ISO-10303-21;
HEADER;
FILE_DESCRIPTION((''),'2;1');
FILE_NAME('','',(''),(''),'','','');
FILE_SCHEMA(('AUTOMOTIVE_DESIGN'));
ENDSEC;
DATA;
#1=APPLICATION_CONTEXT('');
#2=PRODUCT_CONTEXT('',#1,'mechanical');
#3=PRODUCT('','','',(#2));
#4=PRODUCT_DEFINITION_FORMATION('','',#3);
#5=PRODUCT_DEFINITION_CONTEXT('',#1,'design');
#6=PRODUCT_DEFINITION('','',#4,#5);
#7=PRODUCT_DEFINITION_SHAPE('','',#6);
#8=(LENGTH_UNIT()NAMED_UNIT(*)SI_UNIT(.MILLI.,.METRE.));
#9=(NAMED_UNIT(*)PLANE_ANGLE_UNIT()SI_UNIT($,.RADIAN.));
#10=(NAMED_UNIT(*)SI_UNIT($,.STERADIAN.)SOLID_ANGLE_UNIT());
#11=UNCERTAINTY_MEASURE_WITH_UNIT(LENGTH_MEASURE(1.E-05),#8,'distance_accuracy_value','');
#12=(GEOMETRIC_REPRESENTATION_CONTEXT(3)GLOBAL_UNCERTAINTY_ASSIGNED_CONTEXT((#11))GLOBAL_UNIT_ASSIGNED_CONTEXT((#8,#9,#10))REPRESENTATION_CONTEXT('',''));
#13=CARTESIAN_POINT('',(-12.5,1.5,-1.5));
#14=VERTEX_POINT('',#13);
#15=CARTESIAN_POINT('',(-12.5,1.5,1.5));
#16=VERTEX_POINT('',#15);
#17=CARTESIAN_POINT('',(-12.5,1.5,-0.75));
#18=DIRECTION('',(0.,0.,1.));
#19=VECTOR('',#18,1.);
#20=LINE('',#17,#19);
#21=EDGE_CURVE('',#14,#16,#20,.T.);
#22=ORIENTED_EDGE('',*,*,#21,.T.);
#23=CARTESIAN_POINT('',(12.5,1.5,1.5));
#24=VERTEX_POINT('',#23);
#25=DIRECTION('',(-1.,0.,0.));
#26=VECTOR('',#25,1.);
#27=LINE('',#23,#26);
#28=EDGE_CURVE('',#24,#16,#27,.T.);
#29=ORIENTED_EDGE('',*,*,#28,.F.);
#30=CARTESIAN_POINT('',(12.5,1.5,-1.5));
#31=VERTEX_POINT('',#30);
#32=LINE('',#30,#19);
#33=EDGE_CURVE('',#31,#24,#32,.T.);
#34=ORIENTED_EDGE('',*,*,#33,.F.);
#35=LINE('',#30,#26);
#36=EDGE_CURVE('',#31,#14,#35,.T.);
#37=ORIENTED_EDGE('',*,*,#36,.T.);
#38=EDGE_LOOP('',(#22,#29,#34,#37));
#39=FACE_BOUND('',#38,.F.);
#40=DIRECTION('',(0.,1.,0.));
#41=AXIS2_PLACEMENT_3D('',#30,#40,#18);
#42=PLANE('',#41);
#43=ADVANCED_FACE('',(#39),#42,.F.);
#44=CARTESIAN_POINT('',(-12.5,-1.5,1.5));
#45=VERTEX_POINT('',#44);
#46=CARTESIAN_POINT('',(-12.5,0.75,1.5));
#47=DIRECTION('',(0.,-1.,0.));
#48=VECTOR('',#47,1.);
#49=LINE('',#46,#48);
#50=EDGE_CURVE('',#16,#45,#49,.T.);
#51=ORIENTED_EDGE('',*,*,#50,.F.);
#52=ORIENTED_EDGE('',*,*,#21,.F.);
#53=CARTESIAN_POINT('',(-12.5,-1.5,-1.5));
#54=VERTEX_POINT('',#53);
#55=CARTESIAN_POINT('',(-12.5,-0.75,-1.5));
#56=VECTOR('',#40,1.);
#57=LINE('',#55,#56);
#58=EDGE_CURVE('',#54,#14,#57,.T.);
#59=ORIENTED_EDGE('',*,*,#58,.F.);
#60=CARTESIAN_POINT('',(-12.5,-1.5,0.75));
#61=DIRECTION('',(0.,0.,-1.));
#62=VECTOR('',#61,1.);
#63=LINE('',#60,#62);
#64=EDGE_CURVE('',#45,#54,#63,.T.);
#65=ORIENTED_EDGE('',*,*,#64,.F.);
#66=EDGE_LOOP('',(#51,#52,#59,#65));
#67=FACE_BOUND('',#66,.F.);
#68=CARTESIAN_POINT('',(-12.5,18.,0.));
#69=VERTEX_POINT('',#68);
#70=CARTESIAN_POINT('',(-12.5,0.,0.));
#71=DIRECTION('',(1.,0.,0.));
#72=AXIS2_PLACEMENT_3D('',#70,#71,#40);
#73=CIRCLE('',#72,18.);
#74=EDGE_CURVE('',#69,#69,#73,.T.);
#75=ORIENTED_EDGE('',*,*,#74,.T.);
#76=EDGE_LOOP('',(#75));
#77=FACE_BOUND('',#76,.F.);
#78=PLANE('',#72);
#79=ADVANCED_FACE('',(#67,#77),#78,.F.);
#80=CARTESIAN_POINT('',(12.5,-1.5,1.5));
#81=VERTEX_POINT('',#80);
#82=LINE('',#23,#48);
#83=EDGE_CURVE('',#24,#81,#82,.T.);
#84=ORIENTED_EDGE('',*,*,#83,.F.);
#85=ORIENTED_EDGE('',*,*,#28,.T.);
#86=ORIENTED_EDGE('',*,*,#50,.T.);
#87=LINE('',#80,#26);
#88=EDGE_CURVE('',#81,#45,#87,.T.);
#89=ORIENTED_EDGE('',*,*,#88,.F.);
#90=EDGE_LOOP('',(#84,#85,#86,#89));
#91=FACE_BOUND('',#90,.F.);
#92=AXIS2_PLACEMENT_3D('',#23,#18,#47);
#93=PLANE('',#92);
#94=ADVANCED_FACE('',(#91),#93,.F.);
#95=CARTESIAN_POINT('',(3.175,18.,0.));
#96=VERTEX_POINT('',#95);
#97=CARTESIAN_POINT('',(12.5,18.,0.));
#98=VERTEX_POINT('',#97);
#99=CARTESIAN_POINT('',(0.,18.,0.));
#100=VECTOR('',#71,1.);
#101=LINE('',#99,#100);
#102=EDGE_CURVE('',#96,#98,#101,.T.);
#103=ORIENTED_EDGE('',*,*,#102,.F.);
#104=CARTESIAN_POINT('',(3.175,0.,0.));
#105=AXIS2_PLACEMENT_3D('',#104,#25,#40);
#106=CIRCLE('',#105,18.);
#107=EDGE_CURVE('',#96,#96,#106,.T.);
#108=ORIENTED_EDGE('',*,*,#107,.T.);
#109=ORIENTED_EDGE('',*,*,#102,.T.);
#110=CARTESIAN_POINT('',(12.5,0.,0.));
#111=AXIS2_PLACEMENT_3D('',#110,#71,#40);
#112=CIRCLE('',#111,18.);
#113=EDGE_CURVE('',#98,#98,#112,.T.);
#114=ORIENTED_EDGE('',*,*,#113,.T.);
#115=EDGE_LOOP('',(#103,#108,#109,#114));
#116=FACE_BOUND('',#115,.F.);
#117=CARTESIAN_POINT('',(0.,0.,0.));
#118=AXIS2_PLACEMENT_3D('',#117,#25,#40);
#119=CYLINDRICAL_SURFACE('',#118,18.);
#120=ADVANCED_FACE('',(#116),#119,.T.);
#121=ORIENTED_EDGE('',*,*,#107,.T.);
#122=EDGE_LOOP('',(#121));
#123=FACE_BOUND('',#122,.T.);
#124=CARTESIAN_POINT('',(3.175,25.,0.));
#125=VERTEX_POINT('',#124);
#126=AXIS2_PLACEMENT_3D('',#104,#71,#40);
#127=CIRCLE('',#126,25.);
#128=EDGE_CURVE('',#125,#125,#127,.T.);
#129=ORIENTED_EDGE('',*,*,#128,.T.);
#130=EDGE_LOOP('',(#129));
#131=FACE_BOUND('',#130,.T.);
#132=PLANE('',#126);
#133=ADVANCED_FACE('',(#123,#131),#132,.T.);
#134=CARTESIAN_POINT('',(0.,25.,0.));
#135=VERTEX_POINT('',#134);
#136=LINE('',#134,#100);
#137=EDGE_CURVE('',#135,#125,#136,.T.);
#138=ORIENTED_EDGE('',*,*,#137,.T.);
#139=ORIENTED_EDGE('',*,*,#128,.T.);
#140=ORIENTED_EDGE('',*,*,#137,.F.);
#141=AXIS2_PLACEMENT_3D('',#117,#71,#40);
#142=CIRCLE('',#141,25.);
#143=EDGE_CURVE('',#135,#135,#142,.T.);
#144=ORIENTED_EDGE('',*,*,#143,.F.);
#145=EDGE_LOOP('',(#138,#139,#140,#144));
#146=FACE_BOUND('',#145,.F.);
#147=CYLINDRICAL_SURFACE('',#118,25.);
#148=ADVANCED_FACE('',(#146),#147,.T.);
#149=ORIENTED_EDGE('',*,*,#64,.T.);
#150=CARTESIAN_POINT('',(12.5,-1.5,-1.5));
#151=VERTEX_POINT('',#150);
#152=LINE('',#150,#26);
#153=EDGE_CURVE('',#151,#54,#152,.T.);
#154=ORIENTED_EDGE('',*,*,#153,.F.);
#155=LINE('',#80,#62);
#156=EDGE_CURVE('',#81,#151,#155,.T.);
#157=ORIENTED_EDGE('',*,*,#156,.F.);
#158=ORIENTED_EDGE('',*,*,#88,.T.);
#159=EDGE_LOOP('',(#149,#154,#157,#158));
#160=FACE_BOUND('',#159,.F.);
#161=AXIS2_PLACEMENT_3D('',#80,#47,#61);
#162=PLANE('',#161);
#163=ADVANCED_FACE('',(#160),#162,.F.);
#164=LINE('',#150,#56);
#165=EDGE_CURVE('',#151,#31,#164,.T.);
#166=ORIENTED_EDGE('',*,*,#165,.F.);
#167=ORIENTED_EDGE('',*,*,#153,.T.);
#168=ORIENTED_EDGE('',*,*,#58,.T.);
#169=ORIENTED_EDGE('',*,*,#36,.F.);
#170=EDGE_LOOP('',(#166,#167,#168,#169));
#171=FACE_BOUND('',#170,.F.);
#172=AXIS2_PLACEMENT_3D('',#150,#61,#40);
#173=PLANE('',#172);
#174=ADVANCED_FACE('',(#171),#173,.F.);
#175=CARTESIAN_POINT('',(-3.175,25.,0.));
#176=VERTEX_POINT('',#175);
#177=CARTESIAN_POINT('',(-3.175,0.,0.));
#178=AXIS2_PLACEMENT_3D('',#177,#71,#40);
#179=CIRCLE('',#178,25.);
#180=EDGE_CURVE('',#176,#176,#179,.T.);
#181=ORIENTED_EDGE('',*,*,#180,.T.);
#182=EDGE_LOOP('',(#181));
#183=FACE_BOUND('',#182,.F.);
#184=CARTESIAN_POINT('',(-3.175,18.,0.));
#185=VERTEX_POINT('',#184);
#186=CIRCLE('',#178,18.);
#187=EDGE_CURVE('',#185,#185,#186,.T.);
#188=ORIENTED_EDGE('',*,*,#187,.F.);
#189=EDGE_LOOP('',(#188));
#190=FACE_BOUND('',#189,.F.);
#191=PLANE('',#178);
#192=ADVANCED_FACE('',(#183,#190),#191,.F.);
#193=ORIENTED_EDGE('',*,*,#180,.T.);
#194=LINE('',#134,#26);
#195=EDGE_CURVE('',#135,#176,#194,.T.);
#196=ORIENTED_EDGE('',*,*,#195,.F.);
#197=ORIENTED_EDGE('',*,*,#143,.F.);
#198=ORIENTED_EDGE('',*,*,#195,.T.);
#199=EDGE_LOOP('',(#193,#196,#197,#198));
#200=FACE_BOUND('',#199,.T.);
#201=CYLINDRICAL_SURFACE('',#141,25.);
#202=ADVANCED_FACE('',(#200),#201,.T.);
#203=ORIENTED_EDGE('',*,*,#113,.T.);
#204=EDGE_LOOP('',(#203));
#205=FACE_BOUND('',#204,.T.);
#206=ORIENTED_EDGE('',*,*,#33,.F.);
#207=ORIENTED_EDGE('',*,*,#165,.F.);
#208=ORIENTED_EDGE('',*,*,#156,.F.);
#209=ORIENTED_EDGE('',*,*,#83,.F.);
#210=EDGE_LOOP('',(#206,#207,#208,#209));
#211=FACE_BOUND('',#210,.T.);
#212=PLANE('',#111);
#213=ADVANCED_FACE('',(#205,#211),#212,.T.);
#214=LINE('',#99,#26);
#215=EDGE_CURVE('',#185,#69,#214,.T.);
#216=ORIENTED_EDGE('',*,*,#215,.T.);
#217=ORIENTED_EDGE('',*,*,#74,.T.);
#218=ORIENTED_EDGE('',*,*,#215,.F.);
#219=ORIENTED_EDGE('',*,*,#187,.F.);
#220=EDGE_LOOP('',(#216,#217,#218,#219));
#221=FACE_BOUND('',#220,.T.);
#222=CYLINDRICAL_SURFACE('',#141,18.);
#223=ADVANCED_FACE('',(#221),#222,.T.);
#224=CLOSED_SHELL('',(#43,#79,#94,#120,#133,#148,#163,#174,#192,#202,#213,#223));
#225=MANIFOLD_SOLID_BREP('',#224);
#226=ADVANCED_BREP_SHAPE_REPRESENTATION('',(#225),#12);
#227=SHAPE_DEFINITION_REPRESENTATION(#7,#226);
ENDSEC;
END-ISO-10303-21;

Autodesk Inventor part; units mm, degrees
ref_plane "YZ Plane" through (0, 0, 0) normal (1, 0, 0) x (0, 1, 0)
ref_plane "XZ Plane" through (0, 0, 0) normal (0, 1, 0) x (-1, 0, 0)
ref_plane "XY Plane" through (0, 0, 0) normal (0, 0, 1) x (1, 0, 0)
sketch "Sketch1" plane through (0, 0, 0) normal (1, 0, 0) x (0, 1, 0)
  circle A0 centre (0, 0) radius 18
  dimension "d0" = 36
extrude "Extrusion1" add sketch "Sketch1" along normal mid plane 25
sketch "Sketch2" plane through (0, 0, 0) normal (1, 0, 0) x (0, 1, 0)
  circle A0 centre (0, 0) radius 25
  dimension "d3" = 50
extrude "Extrusion2" add sketch "Sketch2" along normal mid plane 6.35
sketch "Sketch3" plane through (12.5, 0, 0) normal (1, 0, 0) x (0, 0, -1)
  line L0 (-1.5, -1.5) -> (1.5, -1.5)
  line L1 (1.5, -1.5) -> (1.5, 1.5)
  line L2 (1.5, 1.5) -> (-1.5, 1.5)
  line L3 (-1.5, 1.5) -> (-1.5, -1.5)
  line L4 (-1.5, -1.5) -> (1.5, 1.5) construction
  line L5 (1.5, -1.5) -> (-1.5, 1.5) construction
  point P0 (0, 0)
  dimension "d6" = 3
  dimension "d7" = 3
extrude "Extrusion3" cut sketch "Sketch3" against normal blind 25.4
properties part number "Sprocket"
